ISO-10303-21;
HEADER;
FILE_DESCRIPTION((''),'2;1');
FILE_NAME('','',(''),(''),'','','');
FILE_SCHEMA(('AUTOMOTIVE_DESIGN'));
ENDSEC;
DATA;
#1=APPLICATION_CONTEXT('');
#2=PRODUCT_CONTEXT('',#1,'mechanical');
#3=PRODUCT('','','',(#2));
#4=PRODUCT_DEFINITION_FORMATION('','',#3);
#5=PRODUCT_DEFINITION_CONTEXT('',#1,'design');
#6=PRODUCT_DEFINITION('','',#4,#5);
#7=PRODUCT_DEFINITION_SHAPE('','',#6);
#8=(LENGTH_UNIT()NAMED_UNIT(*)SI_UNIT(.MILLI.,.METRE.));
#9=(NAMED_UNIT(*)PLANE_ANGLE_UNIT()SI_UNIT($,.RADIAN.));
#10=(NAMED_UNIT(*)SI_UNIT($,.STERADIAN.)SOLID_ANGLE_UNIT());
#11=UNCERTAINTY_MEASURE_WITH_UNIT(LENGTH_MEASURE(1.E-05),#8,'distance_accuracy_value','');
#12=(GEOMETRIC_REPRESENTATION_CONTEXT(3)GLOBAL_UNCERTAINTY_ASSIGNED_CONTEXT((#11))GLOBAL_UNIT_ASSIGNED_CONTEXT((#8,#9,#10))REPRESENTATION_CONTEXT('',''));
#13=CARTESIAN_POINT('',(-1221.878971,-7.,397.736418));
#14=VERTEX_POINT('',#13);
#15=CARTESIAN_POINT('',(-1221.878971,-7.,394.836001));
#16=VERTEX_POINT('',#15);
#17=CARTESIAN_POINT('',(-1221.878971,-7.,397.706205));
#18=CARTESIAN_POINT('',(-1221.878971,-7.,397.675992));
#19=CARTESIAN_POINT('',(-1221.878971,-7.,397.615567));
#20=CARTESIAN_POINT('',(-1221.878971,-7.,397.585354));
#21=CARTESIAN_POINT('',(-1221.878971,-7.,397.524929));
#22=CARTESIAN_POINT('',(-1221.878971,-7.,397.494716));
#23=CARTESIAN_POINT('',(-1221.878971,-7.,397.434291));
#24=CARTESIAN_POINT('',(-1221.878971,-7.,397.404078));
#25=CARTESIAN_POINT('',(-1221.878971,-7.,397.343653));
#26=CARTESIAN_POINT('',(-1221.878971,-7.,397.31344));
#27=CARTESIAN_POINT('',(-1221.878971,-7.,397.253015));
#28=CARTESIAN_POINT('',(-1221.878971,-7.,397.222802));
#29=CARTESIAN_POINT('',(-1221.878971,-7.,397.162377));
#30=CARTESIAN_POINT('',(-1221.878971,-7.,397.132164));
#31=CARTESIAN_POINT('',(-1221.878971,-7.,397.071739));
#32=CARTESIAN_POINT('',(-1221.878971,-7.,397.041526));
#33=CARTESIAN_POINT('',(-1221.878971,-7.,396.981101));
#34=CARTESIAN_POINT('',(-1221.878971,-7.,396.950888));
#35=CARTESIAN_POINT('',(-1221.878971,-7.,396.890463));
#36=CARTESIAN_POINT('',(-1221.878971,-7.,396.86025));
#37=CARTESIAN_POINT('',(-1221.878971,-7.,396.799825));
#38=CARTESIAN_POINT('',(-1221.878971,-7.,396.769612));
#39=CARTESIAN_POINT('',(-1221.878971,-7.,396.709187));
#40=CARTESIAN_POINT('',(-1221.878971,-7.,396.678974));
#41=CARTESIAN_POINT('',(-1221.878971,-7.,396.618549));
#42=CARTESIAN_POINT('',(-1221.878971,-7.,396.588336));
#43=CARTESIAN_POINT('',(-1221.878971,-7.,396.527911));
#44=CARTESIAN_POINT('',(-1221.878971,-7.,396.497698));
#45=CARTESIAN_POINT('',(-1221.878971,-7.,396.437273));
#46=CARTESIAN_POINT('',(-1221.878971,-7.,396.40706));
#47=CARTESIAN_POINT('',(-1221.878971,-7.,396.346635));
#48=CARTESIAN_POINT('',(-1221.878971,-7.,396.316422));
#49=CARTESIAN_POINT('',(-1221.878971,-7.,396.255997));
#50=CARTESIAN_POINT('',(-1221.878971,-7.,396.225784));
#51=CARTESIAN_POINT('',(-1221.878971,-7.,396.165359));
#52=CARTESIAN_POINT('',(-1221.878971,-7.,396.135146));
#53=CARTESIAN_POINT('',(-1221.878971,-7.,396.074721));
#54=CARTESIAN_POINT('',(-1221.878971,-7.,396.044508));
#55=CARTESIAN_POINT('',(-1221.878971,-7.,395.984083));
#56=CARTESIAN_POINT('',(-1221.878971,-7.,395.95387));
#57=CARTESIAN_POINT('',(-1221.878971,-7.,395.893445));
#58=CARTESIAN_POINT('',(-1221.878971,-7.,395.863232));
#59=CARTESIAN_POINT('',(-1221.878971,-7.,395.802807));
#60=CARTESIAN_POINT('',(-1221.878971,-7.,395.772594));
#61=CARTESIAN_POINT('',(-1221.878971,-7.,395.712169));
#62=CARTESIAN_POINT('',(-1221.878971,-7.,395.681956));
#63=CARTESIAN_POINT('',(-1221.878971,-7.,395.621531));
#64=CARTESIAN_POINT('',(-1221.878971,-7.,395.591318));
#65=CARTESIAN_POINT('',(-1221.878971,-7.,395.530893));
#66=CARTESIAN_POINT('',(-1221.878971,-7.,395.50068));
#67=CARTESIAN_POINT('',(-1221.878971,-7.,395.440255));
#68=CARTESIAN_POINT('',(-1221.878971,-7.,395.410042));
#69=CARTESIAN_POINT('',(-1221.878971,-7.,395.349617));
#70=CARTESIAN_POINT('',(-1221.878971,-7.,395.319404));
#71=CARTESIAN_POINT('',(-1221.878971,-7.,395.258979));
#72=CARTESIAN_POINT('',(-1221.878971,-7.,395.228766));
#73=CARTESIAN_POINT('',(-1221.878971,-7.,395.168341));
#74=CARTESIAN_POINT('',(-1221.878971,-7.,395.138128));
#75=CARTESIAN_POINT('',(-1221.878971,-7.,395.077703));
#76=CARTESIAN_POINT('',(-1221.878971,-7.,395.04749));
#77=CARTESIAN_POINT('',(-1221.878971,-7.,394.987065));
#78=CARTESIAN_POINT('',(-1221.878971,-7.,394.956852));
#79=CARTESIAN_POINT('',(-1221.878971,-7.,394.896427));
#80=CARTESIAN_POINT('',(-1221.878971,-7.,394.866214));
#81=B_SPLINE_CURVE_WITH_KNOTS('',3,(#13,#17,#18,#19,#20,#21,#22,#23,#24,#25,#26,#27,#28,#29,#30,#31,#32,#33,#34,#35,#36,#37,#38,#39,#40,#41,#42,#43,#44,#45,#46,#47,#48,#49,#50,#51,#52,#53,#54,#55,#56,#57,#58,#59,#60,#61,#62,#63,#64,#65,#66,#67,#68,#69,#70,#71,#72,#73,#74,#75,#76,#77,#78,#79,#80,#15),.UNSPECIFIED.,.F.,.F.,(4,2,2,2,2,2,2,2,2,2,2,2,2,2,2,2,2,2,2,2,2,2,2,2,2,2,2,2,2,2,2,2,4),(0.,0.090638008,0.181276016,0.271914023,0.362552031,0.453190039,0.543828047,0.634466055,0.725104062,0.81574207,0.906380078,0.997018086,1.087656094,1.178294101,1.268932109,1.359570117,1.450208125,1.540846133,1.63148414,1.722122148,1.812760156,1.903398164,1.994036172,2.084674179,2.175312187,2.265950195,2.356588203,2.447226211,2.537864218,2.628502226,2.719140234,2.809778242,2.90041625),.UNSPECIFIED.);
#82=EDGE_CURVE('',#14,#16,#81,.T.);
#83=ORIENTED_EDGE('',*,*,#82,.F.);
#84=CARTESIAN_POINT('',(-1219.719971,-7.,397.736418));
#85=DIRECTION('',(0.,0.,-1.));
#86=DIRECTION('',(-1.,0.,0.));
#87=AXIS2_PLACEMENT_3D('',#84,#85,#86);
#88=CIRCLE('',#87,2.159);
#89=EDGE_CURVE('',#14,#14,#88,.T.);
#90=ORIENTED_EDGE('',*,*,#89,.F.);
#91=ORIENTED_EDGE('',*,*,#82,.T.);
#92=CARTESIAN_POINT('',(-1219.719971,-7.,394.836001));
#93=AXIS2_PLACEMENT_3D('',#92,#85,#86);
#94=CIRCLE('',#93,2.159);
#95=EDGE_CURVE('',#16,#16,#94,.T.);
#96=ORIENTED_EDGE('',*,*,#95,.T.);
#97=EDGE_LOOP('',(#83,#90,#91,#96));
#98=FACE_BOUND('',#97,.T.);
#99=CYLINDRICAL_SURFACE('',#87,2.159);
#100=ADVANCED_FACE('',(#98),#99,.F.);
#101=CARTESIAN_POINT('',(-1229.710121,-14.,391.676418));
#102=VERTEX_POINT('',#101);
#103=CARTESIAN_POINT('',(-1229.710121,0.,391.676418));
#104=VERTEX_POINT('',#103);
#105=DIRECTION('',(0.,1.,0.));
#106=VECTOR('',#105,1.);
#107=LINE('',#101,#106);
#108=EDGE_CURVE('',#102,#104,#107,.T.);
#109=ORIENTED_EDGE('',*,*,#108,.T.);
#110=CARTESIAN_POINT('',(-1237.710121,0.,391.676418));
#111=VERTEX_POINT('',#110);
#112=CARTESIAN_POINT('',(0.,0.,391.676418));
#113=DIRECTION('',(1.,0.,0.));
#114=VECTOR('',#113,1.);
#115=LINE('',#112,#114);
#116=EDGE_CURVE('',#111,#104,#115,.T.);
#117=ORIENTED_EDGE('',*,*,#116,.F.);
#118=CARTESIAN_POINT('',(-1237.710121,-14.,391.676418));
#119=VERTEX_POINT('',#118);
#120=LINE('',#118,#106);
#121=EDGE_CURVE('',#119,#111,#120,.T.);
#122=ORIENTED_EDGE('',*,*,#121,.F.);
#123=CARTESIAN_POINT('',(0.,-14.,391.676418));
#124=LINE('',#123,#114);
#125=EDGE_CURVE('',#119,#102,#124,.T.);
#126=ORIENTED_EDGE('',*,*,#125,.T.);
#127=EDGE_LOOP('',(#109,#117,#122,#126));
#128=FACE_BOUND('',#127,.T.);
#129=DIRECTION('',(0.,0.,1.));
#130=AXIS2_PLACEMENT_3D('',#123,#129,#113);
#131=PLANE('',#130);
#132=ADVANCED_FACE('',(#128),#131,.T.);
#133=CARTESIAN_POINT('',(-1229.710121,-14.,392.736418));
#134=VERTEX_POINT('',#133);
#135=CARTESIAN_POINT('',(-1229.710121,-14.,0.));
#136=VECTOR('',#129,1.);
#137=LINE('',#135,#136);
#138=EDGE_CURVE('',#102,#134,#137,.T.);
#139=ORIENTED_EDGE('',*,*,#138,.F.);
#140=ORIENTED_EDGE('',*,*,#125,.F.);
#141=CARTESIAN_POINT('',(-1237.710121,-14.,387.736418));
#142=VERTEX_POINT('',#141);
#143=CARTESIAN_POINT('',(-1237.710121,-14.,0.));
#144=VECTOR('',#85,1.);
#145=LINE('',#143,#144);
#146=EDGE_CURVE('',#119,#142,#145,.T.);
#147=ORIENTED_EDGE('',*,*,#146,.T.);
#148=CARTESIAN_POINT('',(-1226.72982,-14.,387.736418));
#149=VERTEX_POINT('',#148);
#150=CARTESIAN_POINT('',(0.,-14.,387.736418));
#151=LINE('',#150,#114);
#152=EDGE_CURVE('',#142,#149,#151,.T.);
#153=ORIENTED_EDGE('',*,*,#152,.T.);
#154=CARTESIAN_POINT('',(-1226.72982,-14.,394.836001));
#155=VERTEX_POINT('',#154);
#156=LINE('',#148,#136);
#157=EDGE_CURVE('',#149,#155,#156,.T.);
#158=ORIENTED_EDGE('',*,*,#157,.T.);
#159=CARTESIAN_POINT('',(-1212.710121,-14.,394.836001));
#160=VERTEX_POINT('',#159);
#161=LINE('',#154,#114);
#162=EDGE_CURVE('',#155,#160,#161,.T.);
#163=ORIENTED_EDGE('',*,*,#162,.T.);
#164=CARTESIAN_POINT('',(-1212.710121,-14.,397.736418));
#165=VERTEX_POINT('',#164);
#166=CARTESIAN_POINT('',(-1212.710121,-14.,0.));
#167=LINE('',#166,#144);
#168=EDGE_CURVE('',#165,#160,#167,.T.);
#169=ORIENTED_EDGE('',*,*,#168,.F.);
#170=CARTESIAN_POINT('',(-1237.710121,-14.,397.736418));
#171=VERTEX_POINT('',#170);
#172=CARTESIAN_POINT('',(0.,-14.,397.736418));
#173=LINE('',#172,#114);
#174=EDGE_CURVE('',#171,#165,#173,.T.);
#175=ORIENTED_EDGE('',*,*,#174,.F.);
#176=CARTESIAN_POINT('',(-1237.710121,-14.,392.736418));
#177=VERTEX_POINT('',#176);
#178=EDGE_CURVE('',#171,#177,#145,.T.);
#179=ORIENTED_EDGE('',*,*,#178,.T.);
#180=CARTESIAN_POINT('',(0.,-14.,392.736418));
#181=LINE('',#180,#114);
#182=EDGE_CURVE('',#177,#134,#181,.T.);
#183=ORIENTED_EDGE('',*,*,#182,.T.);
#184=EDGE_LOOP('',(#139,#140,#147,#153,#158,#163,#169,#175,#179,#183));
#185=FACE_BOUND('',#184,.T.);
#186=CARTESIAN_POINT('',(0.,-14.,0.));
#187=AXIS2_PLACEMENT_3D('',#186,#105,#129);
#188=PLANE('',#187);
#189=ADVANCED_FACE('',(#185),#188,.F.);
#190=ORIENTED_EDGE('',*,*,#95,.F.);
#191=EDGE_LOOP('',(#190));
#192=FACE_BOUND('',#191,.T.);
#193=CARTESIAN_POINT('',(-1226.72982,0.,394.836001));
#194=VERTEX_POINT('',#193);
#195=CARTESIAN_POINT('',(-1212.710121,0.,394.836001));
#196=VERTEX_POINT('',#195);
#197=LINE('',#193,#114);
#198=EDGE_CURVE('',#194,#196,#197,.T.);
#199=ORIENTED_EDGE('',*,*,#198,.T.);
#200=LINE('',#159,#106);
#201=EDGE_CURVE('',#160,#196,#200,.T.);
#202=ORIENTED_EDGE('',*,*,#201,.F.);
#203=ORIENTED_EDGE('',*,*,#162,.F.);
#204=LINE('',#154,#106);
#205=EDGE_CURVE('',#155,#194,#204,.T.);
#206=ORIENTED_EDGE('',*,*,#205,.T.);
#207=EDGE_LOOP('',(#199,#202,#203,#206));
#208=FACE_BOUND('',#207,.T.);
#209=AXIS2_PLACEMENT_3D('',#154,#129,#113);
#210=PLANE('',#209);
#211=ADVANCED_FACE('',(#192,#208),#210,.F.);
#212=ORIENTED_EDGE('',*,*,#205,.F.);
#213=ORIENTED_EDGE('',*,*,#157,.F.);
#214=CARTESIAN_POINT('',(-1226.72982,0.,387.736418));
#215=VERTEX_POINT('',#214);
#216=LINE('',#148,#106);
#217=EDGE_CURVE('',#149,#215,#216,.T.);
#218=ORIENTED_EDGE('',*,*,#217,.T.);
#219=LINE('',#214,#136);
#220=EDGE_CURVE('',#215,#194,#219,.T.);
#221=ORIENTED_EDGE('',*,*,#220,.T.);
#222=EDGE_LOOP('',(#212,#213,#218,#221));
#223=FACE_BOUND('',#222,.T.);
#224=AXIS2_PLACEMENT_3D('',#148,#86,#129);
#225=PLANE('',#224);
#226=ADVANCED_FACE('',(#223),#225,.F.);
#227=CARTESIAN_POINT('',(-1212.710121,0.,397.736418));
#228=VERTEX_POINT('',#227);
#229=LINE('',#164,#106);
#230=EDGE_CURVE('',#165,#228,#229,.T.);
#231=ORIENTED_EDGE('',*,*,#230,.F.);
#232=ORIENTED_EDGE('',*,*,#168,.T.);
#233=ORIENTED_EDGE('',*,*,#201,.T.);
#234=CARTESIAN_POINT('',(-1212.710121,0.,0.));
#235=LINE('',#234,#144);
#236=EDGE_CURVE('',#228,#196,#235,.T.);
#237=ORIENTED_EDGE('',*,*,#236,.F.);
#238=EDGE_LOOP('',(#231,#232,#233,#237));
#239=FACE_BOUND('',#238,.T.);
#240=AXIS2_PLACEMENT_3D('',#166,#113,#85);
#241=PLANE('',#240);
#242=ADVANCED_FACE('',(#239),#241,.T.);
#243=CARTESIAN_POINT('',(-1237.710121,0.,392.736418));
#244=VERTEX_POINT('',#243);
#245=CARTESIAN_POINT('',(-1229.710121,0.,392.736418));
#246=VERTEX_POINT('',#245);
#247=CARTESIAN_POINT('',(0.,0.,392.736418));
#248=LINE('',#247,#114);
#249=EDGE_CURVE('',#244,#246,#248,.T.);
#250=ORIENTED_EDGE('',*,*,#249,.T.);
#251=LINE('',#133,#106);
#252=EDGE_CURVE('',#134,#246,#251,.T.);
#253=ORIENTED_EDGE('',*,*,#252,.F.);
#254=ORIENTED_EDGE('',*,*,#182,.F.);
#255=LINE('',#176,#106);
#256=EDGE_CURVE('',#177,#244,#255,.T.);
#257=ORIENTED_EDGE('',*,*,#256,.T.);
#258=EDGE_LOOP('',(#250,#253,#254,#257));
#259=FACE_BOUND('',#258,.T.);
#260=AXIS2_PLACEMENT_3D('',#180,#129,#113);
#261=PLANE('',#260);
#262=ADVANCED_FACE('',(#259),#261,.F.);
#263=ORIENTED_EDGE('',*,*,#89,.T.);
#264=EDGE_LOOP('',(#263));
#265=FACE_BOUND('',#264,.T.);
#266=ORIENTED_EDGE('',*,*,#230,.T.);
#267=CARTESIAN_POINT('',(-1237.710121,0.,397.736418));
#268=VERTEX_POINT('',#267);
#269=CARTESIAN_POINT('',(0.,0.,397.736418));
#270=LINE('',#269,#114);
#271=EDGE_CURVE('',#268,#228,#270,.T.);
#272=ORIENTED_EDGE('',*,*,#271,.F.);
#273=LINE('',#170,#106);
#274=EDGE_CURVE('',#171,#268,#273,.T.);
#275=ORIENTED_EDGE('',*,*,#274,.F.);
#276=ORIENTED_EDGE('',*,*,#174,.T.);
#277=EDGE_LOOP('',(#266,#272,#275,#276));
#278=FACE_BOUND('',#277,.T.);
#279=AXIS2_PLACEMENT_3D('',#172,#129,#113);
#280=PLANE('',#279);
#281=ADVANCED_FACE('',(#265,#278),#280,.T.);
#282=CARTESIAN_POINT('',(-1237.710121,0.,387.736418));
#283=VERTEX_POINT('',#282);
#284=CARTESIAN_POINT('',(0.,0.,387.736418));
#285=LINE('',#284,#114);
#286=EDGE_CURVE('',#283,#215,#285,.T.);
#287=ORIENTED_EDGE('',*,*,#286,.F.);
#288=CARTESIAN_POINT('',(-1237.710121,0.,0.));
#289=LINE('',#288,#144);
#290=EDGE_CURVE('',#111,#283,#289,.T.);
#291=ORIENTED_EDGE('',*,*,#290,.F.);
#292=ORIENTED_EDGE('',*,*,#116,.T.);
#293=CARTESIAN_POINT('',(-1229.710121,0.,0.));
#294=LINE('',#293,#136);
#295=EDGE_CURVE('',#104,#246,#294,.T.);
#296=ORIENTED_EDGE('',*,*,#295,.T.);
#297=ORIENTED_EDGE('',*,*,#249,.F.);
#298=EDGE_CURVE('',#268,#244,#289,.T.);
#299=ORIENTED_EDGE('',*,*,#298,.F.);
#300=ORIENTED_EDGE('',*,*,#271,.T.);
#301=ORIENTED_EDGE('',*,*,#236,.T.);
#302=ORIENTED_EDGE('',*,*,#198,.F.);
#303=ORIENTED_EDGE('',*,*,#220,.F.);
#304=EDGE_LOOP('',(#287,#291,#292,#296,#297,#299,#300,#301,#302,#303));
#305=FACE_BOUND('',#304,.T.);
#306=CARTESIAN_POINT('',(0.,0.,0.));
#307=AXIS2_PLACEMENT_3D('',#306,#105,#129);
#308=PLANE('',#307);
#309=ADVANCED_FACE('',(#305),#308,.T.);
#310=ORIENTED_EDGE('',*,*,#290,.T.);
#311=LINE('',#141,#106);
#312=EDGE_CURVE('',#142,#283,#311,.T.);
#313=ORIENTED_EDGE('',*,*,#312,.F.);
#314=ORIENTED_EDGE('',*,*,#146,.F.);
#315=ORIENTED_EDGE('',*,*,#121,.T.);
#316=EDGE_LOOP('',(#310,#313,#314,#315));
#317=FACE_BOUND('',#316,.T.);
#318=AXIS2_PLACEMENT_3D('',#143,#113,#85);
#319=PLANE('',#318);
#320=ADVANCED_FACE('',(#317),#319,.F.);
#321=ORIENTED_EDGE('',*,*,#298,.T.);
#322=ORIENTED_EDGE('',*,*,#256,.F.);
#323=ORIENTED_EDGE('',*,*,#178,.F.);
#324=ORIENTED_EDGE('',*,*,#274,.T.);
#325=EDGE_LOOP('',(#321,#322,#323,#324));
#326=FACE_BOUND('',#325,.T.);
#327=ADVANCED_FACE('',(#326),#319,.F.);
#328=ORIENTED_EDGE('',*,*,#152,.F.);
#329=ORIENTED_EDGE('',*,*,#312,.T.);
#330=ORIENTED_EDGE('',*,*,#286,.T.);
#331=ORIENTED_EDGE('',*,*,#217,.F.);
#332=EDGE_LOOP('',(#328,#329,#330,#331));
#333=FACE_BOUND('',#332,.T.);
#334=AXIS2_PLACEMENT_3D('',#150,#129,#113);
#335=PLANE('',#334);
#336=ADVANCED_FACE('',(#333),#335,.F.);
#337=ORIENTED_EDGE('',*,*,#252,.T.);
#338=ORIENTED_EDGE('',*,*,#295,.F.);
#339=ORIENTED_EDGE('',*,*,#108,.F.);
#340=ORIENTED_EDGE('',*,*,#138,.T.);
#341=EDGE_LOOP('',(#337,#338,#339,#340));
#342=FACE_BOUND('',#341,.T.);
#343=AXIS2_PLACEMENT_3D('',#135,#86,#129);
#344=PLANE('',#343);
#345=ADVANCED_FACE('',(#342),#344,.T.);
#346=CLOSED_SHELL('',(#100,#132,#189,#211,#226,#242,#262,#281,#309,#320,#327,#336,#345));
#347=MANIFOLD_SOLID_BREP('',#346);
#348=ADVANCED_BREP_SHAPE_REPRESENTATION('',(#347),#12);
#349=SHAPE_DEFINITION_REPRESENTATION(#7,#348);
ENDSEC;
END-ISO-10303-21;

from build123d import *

# Parameters (mm, degrees)
BOSS_EXTRUDE1_DEPTH = 14
SKETCH2_W           = 14.019698715
SKETCH2_H           = 7.099583751
CUT_EXTRUDE1_DEPTH  = 1301.121764584
SKETCH4_R           = 2.159
CUT_EXTRUDE2_DEPTH  = 1238.809657762


with BuildPart() as part:
    # Sketch1 → Boss-Extrude1 (new body)
    with BuildSketch(Plane(origin=(0, 0, 0), x_dir=(1, 0, 0), z_dir=(0, 1, 0))):
        Polygon((-1237.710121457, -392.736417727), (-1237.710121457, -397.736417727), (-1212.710121457, -397.736417727), (-1212.710121457, -387.736417727), (-1237.710121457, -387.736417727), (-1237.710121457, -391.676417727), (-1229.710121457, -391.676417727), (-1229.710121457, -392.736417727), align=None)
    extrude(amount=-BOSS_EXTRUDE1_DEPTH)

    # Sketch2 → Cut-Extrude1 (cut, through all)
    with BuildSketch(Plane(origin=(0, 0, 0), x_dir=(1, 0, 0), z_dir=(0, 1, 0))):
        with Locations((-1219.719970814, -391.286209602)):
            Rectangle(SKETCH2_W, SKETCH2_H)
    extrude(amount=-CUT_EXTRUDE1_DEPTH, mode=Mode.SUBTRACT)

    # Sketch4 → Cut-Extrude2 (cut, through all)
    with BuildSketch(Plane(origin=(0, 0, 394.836001478), x_dir=(-1, 0, 0), z_dir=(0, 0, -1))):
        with Locations((1219.719970815, -7)):
            Circle(SKETCH4_R)
    extrude(amount=-CUT_EXTRUDE2_DEPTH, mode=Mode.SUBTRACT)


solid = part.part
